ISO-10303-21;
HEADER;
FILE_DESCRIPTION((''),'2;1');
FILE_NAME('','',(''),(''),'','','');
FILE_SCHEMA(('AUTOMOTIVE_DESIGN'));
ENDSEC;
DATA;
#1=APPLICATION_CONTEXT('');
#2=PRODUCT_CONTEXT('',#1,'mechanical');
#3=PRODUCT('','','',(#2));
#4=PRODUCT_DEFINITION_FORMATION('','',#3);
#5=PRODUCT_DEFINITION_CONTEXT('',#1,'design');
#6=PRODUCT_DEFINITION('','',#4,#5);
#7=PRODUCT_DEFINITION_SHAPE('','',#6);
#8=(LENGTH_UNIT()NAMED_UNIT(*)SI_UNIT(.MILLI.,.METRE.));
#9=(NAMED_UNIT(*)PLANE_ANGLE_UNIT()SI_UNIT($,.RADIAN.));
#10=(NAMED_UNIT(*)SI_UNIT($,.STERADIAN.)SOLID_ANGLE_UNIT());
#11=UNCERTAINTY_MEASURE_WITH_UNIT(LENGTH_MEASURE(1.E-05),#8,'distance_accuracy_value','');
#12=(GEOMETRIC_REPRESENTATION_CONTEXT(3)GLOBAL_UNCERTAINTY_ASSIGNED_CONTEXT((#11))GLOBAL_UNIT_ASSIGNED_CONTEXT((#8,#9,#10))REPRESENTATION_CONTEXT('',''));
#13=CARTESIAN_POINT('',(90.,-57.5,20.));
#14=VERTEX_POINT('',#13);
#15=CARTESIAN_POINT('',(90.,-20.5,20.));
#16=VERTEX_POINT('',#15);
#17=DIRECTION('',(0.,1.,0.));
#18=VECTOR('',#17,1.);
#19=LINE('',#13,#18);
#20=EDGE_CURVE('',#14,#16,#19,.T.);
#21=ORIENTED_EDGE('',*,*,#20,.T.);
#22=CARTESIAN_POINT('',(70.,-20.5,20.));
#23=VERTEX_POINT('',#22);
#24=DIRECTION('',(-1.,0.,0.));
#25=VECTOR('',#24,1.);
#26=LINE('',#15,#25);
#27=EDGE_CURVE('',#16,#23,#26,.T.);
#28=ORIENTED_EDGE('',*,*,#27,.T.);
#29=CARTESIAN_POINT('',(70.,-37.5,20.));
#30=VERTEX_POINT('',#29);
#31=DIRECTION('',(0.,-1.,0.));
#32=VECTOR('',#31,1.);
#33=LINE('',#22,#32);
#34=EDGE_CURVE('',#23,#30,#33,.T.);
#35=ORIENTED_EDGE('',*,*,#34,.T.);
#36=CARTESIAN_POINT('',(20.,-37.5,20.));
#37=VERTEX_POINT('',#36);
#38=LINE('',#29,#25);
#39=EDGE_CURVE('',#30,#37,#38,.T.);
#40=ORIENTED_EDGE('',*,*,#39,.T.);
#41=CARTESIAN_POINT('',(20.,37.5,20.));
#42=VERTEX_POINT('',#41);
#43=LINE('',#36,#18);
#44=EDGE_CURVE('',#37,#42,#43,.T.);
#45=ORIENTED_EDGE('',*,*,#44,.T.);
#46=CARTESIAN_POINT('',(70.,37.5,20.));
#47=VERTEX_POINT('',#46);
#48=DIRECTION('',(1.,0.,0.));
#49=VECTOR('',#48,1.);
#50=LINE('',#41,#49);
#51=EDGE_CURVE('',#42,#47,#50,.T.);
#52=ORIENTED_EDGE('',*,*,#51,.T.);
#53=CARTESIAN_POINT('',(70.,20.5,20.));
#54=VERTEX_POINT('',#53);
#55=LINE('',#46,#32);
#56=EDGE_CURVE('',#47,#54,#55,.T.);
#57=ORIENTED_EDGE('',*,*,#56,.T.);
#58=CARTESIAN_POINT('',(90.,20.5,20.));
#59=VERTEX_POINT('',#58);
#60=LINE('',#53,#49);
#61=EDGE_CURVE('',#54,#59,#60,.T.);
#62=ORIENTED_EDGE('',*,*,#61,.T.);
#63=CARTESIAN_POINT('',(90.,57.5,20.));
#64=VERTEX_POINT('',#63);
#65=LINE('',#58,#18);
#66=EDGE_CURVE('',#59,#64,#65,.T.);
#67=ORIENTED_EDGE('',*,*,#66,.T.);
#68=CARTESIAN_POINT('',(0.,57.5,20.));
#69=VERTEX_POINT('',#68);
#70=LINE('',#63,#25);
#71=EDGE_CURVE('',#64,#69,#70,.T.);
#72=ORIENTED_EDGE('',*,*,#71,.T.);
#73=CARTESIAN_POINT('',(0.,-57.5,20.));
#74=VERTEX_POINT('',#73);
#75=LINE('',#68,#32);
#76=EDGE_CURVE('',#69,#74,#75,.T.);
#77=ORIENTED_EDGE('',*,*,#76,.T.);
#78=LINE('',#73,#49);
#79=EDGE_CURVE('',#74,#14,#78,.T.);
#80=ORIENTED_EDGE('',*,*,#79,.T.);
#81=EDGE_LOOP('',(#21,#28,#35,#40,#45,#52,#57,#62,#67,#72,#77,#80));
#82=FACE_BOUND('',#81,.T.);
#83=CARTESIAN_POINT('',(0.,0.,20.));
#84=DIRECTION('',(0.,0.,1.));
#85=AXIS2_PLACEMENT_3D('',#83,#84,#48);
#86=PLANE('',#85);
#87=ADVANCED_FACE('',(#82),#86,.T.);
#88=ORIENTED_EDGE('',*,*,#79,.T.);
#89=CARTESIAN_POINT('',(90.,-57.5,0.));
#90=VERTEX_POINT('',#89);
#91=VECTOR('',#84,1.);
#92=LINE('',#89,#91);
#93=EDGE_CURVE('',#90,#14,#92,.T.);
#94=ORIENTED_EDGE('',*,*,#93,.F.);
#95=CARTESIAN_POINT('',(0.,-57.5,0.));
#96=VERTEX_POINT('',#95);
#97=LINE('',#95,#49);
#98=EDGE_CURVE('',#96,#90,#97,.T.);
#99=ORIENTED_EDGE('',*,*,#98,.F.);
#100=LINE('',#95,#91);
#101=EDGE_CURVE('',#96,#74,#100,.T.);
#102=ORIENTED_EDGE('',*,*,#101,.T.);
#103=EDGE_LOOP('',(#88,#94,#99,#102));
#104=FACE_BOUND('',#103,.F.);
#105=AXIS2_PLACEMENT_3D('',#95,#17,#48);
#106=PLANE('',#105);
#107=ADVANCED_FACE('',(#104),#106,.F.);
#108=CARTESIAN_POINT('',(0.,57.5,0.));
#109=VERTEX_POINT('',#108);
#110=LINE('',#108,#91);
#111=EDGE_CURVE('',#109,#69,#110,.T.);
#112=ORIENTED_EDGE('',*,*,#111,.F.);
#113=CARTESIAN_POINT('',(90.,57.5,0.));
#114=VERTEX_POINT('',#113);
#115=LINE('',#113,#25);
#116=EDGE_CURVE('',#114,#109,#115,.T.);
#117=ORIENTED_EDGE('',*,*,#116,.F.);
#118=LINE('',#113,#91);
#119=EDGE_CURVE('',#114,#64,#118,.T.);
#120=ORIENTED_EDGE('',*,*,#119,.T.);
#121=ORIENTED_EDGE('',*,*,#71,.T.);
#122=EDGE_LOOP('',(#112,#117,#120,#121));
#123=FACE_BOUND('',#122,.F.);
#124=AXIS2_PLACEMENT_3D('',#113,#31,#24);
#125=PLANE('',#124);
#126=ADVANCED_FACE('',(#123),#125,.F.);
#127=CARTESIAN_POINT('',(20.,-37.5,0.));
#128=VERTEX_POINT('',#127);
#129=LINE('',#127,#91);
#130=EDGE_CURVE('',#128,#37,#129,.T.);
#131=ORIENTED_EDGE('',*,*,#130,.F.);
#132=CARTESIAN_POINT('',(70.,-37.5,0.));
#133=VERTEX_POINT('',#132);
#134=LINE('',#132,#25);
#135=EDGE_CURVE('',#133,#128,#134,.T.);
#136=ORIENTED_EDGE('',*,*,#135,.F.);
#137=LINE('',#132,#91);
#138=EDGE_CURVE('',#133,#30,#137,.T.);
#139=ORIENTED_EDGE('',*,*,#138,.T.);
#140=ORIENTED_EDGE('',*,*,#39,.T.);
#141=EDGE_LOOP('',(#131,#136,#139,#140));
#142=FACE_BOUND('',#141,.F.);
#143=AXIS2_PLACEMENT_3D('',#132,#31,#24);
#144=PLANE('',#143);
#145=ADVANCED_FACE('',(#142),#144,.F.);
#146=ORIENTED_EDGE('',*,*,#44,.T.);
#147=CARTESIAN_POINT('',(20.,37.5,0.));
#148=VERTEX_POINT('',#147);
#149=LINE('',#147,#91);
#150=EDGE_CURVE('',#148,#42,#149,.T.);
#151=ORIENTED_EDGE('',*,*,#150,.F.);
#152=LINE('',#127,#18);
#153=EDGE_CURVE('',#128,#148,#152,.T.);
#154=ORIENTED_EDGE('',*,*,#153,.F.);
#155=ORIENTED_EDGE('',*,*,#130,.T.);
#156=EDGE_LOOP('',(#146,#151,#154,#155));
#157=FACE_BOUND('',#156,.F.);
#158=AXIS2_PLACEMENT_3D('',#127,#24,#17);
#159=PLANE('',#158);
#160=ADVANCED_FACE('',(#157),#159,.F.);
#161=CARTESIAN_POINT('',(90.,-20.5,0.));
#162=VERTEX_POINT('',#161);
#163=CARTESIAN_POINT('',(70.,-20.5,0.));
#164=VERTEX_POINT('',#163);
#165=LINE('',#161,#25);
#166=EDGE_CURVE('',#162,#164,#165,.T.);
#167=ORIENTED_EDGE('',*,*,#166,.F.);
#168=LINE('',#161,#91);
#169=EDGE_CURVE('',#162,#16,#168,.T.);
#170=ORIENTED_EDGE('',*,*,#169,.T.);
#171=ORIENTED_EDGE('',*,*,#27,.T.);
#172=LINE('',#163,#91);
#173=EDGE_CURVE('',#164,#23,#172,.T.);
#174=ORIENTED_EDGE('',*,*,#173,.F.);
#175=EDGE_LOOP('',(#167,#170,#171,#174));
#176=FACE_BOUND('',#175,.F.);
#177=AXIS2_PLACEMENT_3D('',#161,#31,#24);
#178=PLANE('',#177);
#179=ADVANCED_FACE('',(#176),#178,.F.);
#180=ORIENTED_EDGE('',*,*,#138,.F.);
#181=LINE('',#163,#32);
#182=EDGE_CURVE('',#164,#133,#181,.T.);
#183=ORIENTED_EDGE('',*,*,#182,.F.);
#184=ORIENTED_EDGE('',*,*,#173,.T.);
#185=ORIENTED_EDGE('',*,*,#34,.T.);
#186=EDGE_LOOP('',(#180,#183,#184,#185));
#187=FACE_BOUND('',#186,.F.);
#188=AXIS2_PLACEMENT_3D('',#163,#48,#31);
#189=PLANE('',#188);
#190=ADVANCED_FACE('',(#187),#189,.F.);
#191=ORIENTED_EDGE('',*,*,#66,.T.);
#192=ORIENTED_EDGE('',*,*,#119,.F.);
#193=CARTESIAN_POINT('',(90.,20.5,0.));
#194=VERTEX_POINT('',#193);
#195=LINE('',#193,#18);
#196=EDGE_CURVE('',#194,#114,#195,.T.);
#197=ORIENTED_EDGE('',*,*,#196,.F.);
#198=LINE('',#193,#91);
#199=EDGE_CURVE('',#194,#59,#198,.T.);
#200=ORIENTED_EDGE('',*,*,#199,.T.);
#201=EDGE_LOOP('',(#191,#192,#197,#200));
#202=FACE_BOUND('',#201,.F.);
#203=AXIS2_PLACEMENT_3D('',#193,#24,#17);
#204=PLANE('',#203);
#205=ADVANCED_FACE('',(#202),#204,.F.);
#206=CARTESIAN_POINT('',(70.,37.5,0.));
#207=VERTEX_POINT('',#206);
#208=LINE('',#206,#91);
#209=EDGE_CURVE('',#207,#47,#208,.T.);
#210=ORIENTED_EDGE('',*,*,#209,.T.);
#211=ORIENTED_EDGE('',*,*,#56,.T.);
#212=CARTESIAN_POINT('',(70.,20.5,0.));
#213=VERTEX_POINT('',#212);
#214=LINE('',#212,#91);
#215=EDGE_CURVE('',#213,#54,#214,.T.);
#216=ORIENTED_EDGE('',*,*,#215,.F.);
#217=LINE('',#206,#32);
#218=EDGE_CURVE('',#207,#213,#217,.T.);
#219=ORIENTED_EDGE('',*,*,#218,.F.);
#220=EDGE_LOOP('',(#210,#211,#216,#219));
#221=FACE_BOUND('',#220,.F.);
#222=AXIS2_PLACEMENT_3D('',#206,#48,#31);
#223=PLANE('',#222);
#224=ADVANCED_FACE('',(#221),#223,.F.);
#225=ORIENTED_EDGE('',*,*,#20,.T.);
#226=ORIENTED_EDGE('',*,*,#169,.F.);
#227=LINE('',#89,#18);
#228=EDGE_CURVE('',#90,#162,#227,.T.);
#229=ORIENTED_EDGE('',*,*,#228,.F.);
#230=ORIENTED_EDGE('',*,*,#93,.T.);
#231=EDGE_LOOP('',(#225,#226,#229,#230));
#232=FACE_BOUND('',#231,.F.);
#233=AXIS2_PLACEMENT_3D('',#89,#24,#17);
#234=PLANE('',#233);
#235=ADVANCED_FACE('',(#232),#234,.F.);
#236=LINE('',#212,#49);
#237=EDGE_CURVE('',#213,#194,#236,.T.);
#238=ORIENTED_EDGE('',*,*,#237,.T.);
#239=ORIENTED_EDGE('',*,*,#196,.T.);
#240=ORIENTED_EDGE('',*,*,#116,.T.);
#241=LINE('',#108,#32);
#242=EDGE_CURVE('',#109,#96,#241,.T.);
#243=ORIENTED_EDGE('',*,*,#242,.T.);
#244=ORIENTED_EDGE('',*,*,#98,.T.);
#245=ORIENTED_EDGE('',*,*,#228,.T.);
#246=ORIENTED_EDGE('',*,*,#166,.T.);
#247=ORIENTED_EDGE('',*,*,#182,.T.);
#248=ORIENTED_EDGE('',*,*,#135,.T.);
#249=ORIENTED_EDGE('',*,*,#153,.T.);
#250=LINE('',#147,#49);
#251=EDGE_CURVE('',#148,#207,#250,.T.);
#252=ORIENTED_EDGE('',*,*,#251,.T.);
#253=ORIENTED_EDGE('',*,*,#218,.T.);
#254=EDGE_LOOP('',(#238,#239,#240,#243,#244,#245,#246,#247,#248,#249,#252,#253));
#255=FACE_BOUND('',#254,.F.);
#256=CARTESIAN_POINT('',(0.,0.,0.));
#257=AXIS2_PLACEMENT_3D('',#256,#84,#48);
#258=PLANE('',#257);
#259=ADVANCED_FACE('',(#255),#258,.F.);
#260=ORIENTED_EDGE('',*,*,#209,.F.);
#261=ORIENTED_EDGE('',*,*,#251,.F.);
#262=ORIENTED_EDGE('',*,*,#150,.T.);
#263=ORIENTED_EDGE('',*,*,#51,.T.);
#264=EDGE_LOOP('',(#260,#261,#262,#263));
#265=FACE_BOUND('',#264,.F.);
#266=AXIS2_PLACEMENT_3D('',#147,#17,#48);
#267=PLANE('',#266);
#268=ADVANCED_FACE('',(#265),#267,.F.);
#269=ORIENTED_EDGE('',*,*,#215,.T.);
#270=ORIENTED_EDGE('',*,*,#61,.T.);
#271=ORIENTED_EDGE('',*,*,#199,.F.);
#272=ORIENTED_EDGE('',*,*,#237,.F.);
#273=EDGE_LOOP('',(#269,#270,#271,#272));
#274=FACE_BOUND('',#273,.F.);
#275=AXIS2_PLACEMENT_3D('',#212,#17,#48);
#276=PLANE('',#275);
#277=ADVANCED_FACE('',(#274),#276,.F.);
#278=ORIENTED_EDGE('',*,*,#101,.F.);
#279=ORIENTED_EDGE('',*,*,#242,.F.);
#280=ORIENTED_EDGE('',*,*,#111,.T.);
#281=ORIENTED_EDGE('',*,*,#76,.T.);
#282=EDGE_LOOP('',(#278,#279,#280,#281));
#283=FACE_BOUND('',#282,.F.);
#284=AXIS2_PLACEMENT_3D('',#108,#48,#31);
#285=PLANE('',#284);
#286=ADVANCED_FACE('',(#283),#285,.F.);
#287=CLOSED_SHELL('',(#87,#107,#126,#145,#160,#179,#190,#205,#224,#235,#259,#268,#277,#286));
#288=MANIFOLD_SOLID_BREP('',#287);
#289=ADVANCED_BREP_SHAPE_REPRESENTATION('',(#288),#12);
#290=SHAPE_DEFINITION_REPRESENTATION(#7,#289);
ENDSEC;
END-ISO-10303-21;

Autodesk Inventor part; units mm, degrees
ref_plane "YZ Plane" through (0, 0, 0) normal (1, 0, 0) x (0, 1, 0)
ref_plane "XZ Plane" through (0, 0, 0) normal (0, 1, 0) x (-1, 0, 0)
ref_plane "XY Plane" through (0, 0, 0) normal (0, 0, 1) x (1, 0, 0)
sketch "Sketch1" plane through (0, 0, 0) normal (0, 0, 1) x (1, 0, 0)
  point P0 (0, 0)
sketch "LAYER1" plane through (0, 0, 0) normal (0, 0, 1) x (1, 0, 0)
  line L0 (70, 20.5) -> (90, 20.5)
  line L1 (90, 20.5) -> (90, 57.5)
  line L2 (90, 57.5) -> (0, 57.5)
  line L3 (0, 57.5) -> (0, -57.5)
  line L4 (0, -57.5) -> (90, -57.5)
  line L5 (90, -57.5) -> (90, -20.5)
  line L6 (90, -20.5) -> (70, -20.5)
  line L7 (70, -20.5) -> (70, -37.5)
  line L8 (70, -37.5) -> (20, -37.5)
  line L9 (20, -37.5) -> (20, 37.5)
  line L10 (20, 37.5) -> (70, 37.5)
  line L11 (70, 37.5) -> (70, 20.5)
sketch "LAYER2" plane through (0, 0, 0) normal (0, 0, 1) x (1, 0, 0)
  line L0 (20.1, -20) -> (110.1, -20)
  line L1 (110.1, -20) -> (110.1, 20)
  line L2 (110.1, 20) -> (20.1, 20)
  line L3 (20.1, 20) -> (20.1, -20)
sketch "LAYER3" plane through (0, 0, 0) normal (0, 0, 1) x (1, 0, 0)
  line L0 (20.5, -71.2) -> (69.5, -71.2)
  line L1 (69.5, -71.2) -> (69.5, -58)
  line L2 (69.5, -58) -> (20.5, -58)
  line L3 (20.5, -58) -> (20.5, -71.2)
sketch "LAYER4" plane through (0, 0, 0) normal (0, 0, 1) x (1, 0, 0)
  line L0 (20.5, -23.8) -> (69.5, -23.8)
  line L1 (69.5, -23.8) -> (69.5, -37)
  line L2 (69.5, -37) -> (20.5, -37)
  line L3 (20.5, -37) -> (20.5, -23.8)
sketch "LAYER5" plane through (0, 0, 0) normal (0, 0, 1) x (1, 0, 0)
  line L0 (20.5, 23.8) -> (69.5, 23.8)
  line L1 (69.5, 23.8) -> (69.5, 37)
  line L2 (69.5, 37) -> (20.5, 37)
  line L3 (20.5, 37) -> (20.5, 23.8)
sketch "LAYER6" plane through (0, 0, 0) normal (0, 0, 1) x (1, 0, 0)
  line L0 (20.5, 71.2) -> (69.5, 71.2)
  line L1 (69.5, 71.2) -> (69.5, 58)
  line L2 (69.5, 58) -> (20.5, 58)
  line L3 (20.5, 58) -> (20.5, 71.2)
extrude "Extrusion1" add sketch "LAYER1" along normal blind 20
properties part number "Core"
